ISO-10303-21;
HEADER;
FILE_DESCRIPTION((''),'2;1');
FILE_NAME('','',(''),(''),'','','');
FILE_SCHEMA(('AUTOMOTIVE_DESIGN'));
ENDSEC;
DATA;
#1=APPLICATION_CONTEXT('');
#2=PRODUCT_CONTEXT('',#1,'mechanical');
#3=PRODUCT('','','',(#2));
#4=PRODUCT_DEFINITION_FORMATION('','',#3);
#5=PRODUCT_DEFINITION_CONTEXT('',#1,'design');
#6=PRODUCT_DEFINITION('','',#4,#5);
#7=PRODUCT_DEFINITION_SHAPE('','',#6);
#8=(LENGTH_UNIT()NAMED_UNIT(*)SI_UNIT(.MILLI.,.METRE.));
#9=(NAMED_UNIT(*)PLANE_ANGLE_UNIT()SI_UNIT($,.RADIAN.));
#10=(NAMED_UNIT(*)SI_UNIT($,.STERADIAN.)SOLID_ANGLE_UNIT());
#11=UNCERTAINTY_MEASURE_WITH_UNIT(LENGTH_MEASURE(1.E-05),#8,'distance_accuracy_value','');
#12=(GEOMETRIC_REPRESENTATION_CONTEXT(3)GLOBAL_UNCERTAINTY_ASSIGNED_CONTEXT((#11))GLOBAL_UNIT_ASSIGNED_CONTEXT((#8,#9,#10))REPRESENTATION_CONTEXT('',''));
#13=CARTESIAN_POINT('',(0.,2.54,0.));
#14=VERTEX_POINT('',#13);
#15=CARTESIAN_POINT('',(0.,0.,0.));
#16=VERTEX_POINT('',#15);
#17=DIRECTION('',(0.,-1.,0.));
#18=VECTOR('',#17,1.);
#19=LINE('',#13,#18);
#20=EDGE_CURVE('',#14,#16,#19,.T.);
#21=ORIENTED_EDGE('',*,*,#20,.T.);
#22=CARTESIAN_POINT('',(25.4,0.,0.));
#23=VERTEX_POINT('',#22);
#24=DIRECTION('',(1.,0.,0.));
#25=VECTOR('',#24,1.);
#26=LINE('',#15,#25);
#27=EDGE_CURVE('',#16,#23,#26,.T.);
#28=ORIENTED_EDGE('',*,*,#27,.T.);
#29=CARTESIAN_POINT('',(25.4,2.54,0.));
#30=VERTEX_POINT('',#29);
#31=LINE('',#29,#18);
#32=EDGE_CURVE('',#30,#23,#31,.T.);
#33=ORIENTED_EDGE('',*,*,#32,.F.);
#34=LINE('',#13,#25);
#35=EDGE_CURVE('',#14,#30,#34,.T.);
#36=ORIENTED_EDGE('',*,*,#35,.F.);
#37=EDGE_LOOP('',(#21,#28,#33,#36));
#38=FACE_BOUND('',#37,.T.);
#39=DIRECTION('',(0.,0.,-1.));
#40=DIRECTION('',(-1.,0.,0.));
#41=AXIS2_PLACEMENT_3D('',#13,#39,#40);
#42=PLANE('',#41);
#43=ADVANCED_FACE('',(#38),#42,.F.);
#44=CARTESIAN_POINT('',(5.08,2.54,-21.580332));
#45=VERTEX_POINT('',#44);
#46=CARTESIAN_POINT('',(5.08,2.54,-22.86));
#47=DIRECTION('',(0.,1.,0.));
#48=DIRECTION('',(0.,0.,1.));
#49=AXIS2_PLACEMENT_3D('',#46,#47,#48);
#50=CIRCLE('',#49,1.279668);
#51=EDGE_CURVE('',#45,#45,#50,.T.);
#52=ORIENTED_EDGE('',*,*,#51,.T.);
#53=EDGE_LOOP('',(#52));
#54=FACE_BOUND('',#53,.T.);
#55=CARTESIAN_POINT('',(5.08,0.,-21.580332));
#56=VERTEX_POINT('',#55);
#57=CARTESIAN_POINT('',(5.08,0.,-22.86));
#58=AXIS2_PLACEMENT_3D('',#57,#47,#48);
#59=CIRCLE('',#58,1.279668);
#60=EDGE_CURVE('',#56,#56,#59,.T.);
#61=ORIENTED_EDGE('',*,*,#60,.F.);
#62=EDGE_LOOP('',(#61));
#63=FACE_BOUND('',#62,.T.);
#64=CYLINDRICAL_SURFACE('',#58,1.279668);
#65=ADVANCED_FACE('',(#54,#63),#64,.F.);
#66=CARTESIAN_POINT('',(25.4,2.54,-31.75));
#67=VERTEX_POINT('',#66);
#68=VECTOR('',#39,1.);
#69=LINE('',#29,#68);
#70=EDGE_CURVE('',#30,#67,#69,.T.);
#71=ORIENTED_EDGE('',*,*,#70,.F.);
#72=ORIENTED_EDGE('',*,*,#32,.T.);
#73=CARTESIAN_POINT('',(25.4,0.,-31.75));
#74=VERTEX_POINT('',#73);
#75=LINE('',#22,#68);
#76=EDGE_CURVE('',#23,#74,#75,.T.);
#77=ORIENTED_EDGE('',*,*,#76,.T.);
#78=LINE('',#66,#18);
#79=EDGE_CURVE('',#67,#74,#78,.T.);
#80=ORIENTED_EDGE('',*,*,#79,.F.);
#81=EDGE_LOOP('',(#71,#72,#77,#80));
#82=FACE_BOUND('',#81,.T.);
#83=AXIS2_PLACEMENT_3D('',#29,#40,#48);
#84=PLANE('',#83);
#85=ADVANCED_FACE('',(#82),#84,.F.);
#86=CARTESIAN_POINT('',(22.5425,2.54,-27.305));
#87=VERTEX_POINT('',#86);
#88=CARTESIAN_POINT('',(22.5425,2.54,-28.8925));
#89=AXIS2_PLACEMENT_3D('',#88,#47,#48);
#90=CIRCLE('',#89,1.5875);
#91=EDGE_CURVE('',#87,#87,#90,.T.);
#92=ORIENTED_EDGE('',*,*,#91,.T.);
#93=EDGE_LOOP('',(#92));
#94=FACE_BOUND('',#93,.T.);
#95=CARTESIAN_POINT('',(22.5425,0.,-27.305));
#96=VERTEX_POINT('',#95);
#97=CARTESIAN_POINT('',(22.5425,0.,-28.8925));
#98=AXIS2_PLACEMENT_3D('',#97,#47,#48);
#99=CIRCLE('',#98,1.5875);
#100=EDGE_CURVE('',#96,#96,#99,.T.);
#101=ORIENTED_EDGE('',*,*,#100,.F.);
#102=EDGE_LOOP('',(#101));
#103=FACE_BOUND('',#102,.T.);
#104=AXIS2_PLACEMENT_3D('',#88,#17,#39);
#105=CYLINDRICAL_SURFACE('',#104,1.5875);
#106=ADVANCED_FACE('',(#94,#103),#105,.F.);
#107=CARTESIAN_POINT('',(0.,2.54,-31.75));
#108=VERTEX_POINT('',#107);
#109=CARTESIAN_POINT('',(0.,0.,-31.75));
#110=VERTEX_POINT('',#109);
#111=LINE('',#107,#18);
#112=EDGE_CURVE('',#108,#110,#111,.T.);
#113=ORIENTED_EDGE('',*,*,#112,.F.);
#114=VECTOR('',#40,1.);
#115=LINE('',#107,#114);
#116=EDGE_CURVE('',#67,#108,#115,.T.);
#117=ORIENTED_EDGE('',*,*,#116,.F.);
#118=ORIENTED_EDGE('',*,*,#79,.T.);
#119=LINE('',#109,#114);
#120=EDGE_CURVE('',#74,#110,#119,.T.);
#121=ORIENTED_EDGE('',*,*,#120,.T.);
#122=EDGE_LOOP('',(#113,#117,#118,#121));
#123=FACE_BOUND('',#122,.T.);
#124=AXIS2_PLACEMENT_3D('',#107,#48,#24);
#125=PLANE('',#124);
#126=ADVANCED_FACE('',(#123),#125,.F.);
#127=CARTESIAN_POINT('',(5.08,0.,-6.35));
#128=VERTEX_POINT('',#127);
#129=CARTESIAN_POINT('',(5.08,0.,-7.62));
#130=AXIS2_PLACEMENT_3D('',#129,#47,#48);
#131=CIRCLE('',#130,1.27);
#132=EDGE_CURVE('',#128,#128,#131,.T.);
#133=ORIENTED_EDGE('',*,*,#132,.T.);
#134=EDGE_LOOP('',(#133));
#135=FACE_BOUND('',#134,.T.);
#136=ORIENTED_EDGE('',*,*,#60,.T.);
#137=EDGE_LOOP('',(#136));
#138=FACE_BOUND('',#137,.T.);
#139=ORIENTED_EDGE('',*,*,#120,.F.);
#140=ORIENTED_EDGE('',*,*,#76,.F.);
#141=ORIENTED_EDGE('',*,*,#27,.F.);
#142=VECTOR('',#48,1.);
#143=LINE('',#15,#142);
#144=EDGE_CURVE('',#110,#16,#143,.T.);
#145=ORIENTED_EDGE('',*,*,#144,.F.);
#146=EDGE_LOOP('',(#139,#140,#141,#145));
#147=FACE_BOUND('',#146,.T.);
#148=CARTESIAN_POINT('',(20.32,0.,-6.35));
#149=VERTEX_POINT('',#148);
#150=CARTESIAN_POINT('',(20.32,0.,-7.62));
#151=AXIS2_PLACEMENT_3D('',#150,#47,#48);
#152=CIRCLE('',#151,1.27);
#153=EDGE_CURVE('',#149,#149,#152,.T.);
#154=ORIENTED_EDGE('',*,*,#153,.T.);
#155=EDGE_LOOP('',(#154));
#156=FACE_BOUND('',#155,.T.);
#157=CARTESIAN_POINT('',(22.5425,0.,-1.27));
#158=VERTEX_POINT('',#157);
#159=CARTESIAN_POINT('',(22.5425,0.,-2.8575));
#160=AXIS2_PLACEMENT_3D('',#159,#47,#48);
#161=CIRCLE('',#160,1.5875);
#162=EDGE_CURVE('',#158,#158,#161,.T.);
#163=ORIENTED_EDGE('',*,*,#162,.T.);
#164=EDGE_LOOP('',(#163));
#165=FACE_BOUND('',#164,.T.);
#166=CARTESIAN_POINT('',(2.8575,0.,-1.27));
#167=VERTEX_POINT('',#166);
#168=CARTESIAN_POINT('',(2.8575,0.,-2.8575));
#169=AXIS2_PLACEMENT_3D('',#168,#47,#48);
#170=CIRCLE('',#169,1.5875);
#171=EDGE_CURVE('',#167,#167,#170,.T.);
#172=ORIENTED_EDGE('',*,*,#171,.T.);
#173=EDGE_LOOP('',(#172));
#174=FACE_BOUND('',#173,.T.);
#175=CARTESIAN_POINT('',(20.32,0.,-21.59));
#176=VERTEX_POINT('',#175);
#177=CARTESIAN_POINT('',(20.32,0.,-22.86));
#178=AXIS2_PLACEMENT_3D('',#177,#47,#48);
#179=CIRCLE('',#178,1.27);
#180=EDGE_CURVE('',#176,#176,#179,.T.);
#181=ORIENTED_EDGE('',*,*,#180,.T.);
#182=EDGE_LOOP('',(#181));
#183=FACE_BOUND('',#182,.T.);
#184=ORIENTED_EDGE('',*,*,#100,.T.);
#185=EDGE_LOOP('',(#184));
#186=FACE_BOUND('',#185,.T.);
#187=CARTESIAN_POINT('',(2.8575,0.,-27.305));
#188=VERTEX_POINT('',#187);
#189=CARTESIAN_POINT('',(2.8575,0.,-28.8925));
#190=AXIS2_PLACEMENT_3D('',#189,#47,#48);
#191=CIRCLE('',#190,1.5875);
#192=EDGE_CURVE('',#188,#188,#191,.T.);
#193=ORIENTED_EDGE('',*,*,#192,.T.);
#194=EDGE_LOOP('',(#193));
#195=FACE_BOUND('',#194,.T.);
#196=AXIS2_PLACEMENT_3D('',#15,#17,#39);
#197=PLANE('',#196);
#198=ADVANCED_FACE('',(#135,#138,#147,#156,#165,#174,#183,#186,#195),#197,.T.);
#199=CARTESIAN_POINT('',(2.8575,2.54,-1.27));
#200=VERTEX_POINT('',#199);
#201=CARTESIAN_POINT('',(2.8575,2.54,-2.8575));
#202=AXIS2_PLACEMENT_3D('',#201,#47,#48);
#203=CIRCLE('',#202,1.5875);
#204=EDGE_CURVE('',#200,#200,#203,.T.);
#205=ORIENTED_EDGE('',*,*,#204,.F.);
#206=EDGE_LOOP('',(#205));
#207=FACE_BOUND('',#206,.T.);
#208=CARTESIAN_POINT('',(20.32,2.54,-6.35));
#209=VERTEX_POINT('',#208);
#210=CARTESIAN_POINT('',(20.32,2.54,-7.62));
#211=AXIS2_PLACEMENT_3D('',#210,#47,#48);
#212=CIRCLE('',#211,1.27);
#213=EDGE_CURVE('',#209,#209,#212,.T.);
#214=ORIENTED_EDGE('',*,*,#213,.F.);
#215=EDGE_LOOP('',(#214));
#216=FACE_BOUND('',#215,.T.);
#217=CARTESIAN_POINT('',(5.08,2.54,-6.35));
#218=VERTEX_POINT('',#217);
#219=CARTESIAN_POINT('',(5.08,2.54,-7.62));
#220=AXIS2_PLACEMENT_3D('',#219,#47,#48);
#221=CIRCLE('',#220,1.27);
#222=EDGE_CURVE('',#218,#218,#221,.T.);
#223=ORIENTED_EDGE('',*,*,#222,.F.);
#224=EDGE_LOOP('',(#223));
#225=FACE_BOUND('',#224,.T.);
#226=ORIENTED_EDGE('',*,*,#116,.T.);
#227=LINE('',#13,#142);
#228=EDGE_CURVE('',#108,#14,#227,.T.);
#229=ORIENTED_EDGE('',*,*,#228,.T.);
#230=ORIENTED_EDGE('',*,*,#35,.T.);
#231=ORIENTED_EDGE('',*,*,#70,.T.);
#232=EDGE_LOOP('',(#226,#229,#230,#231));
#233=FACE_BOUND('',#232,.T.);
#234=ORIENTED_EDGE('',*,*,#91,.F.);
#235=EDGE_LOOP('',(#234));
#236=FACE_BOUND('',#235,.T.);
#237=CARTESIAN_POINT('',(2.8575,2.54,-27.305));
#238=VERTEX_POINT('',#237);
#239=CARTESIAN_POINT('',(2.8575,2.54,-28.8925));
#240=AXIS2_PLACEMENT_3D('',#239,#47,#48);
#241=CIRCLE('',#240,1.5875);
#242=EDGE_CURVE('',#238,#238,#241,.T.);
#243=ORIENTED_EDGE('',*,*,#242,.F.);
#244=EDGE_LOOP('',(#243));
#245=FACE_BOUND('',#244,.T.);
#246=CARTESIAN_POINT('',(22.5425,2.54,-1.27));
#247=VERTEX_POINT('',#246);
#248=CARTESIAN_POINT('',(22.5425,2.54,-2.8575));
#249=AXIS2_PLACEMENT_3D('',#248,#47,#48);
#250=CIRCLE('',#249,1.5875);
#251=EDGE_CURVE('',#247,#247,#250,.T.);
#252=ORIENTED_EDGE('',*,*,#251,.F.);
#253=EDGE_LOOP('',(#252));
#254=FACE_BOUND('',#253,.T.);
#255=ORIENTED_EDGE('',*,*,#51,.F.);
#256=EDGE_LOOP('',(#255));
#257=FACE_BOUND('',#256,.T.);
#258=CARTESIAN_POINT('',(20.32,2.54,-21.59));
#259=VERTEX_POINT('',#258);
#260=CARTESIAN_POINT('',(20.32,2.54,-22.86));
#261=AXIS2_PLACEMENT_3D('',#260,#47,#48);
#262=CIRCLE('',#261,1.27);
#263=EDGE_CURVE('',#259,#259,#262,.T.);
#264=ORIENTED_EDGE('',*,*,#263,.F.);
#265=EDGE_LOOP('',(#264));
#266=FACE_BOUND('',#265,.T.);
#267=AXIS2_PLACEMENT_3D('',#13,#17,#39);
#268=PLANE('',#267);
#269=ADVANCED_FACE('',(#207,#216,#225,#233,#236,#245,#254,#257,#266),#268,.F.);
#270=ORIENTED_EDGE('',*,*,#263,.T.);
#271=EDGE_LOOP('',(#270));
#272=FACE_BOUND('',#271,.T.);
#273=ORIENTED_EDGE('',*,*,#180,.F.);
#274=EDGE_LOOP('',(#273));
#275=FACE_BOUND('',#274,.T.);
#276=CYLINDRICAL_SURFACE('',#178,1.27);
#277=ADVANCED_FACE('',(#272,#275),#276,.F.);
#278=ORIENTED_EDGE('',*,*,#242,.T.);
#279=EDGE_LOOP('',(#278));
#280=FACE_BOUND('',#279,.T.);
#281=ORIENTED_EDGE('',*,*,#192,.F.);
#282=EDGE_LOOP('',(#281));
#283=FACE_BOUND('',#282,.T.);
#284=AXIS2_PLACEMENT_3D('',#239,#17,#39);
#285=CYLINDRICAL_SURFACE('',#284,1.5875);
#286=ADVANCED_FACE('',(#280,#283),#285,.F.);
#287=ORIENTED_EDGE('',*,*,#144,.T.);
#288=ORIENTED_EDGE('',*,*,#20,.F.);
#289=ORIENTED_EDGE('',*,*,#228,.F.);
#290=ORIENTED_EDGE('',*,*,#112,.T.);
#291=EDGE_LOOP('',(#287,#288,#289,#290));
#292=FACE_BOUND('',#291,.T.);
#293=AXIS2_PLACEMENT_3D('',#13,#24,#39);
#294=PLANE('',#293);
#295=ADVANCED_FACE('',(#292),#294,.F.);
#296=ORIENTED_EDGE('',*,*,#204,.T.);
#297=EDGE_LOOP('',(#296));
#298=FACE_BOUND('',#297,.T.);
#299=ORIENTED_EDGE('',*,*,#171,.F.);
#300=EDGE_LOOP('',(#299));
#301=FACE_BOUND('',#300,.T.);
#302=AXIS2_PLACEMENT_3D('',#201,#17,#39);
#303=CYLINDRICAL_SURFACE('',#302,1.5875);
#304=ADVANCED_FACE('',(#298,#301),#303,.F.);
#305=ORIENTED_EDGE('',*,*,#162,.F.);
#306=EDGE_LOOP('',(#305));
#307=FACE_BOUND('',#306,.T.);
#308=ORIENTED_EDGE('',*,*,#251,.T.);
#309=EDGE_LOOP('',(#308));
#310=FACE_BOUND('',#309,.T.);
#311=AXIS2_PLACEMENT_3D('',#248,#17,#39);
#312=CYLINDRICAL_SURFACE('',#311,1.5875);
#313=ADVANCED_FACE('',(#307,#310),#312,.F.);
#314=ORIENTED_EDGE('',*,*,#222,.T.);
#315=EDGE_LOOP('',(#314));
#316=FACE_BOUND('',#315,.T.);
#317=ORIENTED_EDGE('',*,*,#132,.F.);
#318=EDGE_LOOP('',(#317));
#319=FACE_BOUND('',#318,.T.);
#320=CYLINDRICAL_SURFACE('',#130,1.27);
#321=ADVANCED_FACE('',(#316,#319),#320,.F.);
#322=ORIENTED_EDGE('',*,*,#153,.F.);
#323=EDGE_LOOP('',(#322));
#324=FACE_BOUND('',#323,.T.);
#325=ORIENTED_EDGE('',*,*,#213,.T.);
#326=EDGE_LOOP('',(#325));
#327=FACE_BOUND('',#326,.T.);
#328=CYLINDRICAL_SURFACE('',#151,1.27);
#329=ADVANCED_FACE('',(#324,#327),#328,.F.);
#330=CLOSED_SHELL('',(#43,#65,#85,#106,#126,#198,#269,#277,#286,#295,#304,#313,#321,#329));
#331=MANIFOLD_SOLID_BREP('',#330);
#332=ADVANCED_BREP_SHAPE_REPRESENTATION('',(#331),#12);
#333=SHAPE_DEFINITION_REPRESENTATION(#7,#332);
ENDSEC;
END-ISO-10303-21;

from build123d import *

# Parameters (mm, degrees)
SKETCH1_W           = 25.4
SKETCH1_H           = 31.75
SKETCH1_R           = 1.5875
BOSS_EXTRUDE1_DEPTH = 2.54
SKETCH2_R           = 1.27966848
SKETCH2_R_2         = 1.27
CUT_EXTRUDE1_DEPTH  = 41.739097928


with BuildPart() as part:
    # Sketch1 → Boss-Extrude1 (new body)
    with BuildSketch(Plane(origin=(0, 0, 0), x_dir=(1, 0, 0), z_dir=(0, 1, 0))):
        with Locations((12.7, 15.875)):
            Rectangle(SKETCH1_W, SKETCH1_H)
        with Locations(Location((2.8575, 28.8925, 0), (0, 0, 270))):
            Circle(SKETCH1_R, mode=Mode.SUBTRACT)
        with Locations(Location((22.5425, 28.8925, 0), (0, 0, 270))):
            Circle(SKETCH1_R, mode=Mode.SUBTRACT)
        with Locations(Location((2.8575, 2.8575, 0), (0, 0, 270))):
            Circle(SKETCH1_R, mode=Mode.SUBTRACT)
        with Locations(Location((22.5425, 2.8575, 0), (0, 0, 270))):
            Circle(SKETCH1_R, mode=Mode.SUBTRACT)
    extrude(amount=BOSS_EXTRUDE1_DEPTH)

    # Sketch2 → Cut-Extrude1 (cut, through all)
    with BuildSketch(Plane(origin=(0, 2.54, 0), x_dir=(1, 0, 0), z_dir=(0, 1, 0))):
        with Locations(Location((5.08, 22.86, 0), (0, 0, 270))):
            Circle(SKETCH2_R)
        with Locations(Location((20.32, 22.86, 0), (0, 0, 270))):
            Circle(SKETCH2_R_2)
        with Locations(Location((5.08, 7.62, 0), (0, 0, 270))):
            Circle(SKETCH2_R_2)
        with Locations(Location((20.32, 7.62, 0), (0, 0, 270))):
            Circle(SKETCH2_R_2)
    extrude(amount=-CUT_EXTRUDE1_DEPTH, mode=Mode.SUBTRACT)


solid = part.part
